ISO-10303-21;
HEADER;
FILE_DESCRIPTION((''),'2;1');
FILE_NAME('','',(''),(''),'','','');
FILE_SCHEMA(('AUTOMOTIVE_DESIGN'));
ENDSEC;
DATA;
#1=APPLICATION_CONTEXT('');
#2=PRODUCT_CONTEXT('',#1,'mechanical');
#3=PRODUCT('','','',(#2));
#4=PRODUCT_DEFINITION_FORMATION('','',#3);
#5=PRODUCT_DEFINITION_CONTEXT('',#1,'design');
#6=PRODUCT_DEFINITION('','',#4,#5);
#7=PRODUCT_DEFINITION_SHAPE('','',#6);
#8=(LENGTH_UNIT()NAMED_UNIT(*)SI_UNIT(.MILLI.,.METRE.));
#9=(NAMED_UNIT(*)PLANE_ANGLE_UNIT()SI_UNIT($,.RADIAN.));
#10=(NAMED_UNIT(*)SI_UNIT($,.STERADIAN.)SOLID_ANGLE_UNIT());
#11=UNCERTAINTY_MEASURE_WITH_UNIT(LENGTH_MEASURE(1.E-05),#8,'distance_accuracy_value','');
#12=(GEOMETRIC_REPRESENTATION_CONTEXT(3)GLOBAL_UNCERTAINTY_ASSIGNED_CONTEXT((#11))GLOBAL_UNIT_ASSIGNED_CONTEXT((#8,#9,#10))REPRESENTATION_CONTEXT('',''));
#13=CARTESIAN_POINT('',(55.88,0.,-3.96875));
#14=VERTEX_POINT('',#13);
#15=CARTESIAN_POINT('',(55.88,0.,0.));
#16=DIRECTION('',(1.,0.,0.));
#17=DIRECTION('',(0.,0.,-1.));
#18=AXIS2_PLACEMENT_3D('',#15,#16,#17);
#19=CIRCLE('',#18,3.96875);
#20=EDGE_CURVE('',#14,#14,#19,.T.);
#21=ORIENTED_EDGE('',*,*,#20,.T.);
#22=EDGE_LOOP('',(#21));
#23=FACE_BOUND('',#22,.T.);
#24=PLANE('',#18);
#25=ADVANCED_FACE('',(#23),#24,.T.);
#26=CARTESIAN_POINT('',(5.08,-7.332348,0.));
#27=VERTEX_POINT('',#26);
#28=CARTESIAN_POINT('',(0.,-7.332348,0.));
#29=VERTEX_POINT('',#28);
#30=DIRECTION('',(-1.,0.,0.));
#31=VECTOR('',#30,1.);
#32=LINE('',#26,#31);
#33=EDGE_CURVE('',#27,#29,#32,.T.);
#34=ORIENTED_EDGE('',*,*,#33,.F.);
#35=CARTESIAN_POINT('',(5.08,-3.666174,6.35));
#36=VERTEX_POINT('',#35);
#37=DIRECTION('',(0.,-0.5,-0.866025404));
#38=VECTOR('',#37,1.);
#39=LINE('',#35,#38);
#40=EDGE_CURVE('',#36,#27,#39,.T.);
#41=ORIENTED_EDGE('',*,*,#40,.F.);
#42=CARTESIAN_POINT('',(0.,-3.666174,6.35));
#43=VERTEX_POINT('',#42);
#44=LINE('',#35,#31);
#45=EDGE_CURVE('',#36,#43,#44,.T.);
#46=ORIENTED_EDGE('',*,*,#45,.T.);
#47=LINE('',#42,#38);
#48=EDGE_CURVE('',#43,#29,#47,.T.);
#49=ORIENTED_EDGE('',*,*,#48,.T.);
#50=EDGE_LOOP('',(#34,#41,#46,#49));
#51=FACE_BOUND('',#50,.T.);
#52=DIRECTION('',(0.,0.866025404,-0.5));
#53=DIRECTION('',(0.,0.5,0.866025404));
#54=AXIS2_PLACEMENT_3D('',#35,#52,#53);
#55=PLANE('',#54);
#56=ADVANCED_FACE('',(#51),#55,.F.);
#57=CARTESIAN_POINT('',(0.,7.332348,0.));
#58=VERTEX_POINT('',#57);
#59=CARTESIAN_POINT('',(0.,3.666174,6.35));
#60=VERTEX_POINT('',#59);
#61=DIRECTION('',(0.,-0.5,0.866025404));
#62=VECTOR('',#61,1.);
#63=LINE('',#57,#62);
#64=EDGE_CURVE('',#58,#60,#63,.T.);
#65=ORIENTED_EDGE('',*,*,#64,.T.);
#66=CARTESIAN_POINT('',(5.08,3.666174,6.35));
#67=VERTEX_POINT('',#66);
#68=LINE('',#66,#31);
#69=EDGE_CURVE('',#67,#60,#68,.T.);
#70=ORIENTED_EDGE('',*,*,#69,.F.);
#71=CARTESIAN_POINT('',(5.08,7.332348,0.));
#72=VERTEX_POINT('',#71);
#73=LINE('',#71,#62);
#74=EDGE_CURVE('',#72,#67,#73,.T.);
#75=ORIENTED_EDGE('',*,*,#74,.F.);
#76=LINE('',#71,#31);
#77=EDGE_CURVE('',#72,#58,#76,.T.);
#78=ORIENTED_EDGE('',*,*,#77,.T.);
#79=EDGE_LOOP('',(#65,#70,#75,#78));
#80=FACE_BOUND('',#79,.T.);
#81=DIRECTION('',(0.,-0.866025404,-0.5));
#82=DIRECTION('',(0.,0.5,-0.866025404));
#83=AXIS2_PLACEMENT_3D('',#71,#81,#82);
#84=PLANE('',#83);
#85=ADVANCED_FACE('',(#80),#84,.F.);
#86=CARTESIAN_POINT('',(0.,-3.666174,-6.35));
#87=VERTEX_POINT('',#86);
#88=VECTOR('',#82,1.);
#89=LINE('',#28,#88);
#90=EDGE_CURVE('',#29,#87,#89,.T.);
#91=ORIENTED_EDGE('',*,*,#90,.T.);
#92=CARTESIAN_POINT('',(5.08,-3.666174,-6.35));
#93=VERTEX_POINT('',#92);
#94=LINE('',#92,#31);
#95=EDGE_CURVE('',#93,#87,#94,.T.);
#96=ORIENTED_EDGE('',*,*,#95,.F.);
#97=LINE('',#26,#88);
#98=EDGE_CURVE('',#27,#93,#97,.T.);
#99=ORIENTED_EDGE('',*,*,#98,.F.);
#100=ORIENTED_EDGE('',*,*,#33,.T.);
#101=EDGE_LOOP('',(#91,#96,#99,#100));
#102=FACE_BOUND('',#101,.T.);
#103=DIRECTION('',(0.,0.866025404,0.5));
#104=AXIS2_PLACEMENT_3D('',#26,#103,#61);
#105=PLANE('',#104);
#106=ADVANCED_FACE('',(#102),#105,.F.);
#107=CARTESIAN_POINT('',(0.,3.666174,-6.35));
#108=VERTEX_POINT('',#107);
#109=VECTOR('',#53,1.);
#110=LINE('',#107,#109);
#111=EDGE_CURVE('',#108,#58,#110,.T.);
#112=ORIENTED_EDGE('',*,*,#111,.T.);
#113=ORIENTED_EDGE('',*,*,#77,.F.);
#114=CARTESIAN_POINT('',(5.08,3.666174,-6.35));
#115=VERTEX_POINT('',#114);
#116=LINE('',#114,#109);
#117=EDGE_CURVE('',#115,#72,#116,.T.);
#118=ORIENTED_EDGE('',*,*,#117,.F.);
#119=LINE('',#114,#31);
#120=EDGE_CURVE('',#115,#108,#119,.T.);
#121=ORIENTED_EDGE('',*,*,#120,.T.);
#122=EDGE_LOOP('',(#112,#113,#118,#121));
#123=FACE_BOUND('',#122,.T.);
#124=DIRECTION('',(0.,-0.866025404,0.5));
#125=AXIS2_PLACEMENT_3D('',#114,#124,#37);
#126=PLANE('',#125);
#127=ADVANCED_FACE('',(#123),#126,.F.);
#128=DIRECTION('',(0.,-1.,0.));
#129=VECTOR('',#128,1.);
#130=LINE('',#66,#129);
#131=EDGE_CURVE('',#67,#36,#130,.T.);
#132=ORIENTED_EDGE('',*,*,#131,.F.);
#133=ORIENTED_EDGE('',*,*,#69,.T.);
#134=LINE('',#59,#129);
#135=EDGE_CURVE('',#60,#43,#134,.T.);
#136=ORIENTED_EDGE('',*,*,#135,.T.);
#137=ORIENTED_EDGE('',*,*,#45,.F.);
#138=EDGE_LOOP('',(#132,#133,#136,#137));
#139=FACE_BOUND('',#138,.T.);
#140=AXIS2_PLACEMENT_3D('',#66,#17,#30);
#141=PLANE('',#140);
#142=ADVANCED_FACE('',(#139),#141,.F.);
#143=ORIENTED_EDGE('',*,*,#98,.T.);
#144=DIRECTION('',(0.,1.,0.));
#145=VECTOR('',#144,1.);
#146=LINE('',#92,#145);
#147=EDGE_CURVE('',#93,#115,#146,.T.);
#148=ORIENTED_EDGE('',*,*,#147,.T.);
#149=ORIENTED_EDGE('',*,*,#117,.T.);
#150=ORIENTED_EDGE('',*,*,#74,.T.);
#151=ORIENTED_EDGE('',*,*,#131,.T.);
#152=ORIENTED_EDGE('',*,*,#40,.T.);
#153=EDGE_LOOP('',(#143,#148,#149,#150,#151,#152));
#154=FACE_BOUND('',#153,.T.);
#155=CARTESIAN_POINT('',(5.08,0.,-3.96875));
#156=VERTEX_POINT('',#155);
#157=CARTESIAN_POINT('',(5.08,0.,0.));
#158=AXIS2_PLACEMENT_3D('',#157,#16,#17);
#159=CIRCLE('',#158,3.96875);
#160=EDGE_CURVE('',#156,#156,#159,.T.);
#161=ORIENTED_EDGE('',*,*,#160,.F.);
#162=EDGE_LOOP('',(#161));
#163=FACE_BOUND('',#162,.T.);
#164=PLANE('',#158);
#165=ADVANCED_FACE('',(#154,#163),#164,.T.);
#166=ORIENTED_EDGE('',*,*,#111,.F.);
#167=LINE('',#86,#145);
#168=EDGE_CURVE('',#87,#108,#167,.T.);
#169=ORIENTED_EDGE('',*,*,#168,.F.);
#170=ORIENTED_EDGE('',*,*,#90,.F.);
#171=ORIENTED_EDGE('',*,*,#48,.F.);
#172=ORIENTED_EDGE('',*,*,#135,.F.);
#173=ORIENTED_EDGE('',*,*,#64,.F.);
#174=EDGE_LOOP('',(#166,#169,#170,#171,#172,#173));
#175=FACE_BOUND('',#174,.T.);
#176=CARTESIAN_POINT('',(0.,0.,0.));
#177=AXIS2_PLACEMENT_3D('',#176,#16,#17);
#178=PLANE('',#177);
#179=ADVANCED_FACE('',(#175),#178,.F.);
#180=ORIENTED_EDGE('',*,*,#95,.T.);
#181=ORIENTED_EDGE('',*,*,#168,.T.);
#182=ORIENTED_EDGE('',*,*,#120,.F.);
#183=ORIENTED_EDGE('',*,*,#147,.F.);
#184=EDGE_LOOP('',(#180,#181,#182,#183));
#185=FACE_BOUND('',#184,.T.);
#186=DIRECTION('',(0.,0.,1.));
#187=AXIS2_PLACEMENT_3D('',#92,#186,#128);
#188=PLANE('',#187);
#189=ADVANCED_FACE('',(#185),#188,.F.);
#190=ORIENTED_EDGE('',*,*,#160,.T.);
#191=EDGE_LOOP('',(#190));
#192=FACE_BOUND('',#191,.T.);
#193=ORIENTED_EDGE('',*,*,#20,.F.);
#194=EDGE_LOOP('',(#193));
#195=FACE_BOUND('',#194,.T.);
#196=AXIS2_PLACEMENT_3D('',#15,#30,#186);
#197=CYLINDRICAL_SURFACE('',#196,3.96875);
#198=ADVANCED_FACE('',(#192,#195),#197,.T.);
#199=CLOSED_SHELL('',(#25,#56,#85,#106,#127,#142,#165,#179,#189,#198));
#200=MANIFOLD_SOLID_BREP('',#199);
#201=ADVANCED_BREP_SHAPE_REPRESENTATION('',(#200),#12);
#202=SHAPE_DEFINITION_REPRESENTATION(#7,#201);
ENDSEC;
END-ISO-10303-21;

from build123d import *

# Parameters (mm, degrees)
BOSS_EXTRUDE1_DEPTH = 5.08
SKETCH2_R           = 3.96875
BOSS_EXTRUDE2_DEPTH = 50.8


with BuildPart() as part:
    # Sketch1 → Boss-Extrude1 (new body)
    with BuildSketch(Plane(origin=(0, 0, 0), x_dir=(0, 0, -1), z_dir=(1, 0, 0))):
        Polygon((6.35, 3.666174209), (0, 7.332348419), (-6.35, 3.666174209), (-6.35, -3.666174209), (0, -7.332348419), (6.35, -3.666174209), align=None)
    extrude(amount=BOSS_EXTRUDE1_DEPTH)

    # Sketch2 → Boss-Extrude2 (add)
    with BuildSketch(Plane(origin=(5.08, 0, 0), x_dir=(0, 0, -1), z_dir=(1, 0, 0))):
        Circle(SKETCH2_R)
    extrude(amount=BOSS_EXTRUDE2_DEPTH)


solid = part.part
